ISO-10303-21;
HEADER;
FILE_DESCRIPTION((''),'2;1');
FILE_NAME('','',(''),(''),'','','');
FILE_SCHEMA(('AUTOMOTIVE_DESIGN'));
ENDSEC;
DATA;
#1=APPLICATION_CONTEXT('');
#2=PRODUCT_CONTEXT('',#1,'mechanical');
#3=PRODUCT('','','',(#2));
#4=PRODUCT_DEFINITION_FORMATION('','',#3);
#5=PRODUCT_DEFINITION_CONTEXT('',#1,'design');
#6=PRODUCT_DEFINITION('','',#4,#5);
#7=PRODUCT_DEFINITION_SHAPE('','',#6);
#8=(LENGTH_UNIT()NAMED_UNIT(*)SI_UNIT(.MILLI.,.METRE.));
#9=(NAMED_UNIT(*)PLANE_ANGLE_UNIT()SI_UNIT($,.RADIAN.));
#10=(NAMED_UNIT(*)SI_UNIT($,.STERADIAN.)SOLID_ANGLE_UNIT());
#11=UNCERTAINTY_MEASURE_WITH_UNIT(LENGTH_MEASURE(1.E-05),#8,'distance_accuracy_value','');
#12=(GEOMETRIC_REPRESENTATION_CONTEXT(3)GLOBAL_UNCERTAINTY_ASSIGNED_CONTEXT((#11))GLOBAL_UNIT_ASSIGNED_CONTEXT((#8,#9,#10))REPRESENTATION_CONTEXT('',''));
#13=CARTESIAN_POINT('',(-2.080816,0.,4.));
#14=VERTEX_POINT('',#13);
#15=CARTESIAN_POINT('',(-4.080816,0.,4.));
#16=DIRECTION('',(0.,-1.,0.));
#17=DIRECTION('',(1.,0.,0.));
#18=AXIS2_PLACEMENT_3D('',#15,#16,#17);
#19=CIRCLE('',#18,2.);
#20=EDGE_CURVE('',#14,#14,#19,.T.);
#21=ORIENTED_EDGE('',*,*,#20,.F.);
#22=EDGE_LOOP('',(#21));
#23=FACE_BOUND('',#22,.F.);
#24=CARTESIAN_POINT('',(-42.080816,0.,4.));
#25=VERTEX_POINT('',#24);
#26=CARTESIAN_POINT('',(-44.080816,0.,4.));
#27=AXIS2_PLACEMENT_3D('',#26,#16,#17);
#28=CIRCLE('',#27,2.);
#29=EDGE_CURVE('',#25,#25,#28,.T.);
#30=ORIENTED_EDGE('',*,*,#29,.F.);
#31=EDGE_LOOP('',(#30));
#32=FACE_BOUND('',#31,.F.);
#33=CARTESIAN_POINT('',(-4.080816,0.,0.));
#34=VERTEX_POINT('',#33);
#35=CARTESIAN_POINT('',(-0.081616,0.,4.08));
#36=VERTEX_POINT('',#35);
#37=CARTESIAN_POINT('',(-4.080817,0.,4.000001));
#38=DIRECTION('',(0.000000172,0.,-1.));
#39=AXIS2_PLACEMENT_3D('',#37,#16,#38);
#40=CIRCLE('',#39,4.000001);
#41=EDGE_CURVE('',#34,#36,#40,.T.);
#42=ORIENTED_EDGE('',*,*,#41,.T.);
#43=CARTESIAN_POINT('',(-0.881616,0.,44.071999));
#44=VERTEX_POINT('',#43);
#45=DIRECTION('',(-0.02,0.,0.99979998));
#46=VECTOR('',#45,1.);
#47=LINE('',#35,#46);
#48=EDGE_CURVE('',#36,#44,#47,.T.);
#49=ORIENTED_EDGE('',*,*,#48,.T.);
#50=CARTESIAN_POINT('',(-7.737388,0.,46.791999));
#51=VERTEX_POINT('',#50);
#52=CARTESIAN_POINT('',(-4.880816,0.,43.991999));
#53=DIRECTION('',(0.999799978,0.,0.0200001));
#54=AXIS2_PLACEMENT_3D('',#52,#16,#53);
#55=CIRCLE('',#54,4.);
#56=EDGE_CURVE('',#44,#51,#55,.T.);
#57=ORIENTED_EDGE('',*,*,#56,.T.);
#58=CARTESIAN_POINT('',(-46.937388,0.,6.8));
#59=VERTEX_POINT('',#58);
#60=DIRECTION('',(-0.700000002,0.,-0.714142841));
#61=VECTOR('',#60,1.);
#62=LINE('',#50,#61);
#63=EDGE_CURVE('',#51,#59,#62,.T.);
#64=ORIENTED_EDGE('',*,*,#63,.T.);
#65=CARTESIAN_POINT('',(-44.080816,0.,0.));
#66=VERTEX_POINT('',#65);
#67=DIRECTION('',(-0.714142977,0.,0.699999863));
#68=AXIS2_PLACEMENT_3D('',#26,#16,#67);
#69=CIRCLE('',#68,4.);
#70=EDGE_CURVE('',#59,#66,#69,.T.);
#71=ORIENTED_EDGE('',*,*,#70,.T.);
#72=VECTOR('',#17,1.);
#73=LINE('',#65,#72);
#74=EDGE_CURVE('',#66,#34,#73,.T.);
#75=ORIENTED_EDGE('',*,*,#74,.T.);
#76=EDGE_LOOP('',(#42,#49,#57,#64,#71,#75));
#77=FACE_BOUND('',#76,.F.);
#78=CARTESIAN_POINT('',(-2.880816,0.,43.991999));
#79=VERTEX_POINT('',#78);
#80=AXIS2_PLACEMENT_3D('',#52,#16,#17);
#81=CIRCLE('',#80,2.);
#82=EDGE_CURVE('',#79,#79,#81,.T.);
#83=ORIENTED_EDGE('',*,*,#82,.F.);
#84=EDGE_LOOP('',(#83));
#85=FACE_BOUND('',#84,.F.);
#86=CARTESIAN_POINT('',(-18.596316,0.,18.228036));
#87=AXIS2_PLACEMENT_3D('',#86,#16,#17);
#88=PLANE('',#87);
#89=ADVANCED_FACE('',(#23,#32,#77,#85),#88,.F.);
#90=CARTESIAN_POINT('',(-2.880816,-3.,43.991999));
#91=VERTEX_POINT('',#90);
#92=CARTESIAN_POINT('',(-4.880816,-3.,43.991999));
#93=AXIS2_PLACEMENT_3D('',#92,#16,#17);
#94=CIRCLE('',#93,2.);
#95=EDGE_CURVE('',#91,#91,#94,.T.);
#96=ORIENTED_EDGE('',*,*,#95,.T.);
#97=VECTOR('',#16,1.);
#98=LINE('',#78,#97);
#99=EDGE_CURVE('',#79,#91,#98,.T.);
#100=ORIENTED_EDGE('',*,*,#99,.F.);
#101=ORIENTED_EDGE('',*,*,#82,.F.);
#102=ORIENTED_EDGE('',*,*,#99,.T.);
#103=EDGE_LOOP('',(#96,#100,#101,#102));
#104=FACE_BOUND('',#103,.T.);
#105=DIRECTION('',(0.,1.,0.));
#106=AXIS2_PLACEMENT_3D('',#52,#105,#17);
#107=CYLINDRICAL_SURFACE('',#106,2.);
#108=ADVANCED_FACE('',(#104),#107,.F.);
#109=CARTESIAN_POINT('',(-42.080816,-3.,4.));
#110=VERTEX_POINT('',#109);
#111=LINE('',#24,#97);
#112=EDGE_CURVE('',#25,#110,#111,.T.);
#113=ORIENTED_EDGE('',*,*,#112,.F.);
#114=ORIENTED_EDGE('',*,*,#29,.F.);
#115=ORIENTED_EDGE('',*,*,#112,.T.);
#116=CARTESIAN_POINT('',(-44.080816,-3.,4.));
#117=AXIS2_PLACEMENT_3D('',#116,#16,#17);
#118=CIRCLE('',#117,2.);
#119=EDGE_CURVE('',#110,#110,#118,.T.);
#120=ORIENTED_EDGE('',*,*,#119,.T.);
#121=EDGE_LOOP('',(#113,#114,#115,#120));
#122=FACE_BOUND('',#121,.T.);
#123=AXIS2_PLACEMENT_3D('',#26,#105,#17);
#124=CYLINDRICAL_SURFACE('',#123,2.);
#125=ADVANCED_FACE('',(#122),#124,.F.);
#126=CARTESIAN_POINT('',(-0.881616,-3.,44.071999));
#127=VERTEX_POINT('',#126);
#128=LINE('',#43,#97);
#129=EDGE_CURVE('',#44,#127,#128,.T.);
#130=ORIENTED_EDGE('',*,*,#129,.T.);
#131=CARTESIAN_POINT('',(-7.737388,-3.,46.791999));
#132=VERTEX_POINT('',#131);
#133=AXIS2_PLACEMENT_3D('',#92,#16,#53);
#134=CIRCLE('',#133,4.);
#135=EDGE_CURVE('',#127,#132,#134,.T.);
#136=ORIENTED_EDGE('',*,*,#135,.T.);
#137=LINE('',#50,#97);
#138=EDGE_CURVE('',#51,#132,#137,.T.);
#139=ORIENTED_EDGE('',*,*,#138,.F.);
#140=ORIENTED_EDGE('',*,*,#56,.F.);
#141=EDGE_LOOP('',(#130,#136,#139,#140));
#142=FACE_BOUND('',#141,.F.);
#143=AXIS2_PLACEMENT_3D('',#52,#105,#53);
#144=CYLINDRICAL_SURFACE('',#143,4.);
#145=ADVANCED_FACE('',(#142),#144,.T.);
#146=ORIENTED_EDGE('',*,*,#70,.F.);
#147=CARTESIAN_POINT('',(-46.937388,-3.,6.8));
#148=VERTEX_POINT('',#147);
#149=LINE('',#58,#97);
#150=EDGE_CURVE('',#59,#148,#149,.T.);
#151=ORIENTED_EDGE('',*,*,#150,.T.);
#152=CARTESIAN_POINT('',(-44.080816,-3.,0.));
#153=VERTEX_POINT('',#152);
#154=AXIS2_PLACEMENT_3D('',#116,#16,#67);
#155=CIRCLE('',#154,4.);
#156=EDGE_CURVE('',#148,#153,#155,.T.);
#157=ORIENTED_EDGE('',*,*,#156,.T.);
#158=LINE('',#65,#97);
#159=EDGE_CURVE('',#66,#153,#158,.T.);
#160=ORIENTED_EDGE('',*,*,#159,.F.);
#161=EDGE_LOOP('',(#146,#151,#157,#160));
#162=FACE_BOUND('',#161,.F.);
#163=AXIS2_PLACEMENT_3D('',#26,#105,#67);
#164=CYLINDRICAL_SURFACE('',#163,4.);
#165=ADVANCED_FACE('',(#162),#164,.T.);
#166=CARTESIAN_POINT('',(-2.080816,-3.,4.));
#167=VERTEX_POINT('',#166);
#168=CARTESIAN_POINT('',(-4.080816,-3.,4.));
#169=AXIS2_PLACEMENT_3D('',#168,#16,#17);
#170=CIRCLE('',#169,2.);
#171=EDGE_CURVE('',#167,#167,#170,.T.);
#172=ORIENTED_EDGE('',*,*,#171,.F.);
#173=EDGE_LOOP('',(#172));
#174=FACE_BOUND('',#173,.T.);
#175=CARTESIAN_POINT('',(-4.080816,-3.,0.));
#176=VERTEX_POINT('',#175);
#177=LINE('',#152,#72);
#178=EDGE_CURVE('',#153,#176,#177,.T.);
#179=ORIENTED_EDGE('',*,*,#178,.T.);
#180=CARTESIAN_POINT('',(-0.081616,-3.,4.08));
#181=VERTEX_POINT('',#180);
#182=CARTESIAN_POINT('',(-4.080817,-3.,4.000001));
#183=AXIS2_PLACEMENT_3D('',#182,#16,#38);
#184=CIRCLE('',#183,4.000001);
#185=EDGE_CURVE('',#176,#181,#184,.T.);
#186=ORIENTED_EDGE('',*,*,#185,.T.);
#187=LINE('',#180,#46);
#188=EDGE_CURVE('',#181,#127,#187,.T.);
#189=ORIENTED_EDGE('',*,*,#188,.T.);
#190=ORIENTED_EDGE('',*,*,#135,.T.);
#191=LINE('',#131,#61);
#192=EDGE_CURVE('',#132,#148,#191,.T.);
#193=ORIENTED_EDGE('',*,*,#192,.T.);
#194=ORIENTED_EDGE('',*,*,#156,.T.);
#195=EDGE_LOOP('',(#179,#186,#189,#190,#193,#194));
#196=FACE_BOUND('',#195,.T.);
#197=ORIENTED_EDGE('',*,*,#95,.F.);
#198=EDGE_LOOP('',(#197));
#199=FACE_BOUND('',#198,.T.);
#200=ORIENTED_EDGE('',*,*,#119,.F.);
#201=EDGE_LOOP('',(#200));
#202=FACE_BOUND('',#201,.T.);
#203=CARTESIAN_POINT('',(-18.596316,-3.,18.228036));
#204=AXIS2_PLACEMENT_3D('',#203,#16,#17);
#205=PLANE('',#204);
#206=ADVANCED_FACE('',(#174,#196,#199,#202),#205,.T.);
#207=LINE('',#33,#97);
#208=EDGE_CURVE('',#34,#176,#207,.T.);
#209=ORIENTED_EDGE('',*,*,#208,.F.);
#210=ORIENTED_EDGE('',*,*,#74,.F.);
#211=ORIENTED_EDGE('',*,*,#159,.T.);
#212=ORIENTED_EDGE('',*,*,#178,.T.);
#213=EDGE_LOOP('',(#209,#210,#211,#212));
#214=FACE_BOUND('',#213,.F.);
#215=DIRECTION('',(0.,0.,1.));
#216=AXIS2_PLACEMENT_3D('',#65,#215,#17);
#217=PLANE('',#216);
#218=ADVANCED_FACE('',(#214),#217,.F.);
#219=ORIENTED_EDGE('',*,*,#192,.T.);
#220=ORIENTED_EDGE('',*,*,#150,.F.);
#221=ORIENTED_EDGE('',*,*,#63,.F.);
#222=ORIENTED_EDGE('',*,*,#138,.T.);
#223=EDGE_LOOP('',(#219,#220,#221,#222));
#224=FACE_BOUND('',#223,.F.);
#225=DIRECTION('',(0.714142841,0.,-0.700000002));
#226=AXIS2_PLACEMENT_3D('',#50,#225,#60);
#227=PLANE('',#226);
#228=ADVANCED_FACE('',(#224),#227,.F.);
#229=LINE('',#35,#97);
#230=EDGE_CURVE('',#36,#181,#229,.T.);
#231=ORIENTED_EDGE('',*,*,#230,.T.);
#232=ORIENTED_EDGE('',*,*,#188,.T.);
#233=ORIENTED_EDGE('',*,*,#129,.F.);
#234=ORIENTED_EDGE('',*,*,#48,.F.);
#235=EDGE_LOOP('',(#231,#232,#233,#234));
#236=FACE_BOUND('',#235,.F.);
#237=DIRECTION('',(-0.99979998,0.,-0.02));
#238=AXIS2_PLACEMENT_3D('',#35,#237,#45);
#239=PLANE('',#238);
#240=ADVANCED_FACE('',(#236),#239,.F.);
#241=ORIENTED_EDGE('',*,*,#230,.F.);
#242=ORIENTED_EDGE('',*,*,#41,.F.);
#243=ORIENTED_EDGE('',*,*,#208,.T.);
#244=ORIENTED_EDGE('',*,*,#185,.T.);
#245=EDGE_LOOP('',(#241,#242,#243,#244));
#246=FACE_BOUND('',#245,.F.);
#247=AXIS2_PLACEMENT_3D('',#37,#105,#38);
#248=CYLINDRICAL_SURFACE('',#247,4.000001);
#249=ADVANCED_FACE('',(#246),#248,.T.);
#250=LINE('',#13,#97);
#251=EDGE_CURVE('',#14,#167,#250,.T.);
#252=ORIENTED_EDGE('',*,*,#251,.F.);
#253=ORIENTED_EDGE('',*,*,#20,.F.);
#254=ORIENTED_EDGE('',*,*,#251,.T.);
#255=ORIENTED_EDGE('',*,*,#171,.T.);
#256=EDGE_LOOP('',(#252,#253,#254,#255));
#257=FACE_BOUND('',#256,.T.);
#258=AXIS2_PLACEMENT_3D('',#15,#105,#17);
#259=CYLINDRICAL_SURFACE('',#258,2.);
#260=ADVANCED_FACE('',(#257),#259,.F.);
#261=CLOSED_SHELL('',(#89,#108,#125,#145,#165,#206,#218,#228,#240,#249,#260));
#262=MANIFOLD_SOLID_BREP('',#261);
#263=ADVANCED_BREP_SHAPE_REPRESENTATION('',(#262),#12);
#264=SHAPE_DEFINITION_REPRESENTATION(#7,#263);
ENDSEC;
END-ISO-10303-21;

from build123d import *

# Parameters (mm, degrees)
F0_R     = 2
F1_DEPTH = 3


with BuildPart() as f1:
    # F0 (on Front) → F1 (new body)
    with BuildSketch(Plane.XZ):
        with BuildLine():
            ThreePointArc((-4.080816, 0), (-1.224245, 1.2), (-0.081616, 4.08))
            Line((-0.081616, 4.08), (-0.881616, 44.071999))
            ThreePointArc((-0.881616, 44.071999), (-3.405689, 47.710063), (-7.737388, 46.791999))
            Line((-7.737388, 46.791999), (-46.937388, 6.8))
            ThreePointArc((-46.937388, 6.8), (-47.768634, 2.450807), (-44.080816, 0))
            Line((-44.080816, 0), (-4.080816, 0))
        make_face()
        with Locations((-44.080816, 4)):
            Circle(F0_R, mode=Mode.SUBTRACT)
        with Locations((-4.080816, 4)):
            Circle(F0_R, mode=Mode.SUBTRACT)
        with Locations((-4.880816, 43.991999)):
            Circle(F0_R, mode=Mode.SUBTRACT)
    extrude(amount=F1_DEPTH)


solid = f1.part
